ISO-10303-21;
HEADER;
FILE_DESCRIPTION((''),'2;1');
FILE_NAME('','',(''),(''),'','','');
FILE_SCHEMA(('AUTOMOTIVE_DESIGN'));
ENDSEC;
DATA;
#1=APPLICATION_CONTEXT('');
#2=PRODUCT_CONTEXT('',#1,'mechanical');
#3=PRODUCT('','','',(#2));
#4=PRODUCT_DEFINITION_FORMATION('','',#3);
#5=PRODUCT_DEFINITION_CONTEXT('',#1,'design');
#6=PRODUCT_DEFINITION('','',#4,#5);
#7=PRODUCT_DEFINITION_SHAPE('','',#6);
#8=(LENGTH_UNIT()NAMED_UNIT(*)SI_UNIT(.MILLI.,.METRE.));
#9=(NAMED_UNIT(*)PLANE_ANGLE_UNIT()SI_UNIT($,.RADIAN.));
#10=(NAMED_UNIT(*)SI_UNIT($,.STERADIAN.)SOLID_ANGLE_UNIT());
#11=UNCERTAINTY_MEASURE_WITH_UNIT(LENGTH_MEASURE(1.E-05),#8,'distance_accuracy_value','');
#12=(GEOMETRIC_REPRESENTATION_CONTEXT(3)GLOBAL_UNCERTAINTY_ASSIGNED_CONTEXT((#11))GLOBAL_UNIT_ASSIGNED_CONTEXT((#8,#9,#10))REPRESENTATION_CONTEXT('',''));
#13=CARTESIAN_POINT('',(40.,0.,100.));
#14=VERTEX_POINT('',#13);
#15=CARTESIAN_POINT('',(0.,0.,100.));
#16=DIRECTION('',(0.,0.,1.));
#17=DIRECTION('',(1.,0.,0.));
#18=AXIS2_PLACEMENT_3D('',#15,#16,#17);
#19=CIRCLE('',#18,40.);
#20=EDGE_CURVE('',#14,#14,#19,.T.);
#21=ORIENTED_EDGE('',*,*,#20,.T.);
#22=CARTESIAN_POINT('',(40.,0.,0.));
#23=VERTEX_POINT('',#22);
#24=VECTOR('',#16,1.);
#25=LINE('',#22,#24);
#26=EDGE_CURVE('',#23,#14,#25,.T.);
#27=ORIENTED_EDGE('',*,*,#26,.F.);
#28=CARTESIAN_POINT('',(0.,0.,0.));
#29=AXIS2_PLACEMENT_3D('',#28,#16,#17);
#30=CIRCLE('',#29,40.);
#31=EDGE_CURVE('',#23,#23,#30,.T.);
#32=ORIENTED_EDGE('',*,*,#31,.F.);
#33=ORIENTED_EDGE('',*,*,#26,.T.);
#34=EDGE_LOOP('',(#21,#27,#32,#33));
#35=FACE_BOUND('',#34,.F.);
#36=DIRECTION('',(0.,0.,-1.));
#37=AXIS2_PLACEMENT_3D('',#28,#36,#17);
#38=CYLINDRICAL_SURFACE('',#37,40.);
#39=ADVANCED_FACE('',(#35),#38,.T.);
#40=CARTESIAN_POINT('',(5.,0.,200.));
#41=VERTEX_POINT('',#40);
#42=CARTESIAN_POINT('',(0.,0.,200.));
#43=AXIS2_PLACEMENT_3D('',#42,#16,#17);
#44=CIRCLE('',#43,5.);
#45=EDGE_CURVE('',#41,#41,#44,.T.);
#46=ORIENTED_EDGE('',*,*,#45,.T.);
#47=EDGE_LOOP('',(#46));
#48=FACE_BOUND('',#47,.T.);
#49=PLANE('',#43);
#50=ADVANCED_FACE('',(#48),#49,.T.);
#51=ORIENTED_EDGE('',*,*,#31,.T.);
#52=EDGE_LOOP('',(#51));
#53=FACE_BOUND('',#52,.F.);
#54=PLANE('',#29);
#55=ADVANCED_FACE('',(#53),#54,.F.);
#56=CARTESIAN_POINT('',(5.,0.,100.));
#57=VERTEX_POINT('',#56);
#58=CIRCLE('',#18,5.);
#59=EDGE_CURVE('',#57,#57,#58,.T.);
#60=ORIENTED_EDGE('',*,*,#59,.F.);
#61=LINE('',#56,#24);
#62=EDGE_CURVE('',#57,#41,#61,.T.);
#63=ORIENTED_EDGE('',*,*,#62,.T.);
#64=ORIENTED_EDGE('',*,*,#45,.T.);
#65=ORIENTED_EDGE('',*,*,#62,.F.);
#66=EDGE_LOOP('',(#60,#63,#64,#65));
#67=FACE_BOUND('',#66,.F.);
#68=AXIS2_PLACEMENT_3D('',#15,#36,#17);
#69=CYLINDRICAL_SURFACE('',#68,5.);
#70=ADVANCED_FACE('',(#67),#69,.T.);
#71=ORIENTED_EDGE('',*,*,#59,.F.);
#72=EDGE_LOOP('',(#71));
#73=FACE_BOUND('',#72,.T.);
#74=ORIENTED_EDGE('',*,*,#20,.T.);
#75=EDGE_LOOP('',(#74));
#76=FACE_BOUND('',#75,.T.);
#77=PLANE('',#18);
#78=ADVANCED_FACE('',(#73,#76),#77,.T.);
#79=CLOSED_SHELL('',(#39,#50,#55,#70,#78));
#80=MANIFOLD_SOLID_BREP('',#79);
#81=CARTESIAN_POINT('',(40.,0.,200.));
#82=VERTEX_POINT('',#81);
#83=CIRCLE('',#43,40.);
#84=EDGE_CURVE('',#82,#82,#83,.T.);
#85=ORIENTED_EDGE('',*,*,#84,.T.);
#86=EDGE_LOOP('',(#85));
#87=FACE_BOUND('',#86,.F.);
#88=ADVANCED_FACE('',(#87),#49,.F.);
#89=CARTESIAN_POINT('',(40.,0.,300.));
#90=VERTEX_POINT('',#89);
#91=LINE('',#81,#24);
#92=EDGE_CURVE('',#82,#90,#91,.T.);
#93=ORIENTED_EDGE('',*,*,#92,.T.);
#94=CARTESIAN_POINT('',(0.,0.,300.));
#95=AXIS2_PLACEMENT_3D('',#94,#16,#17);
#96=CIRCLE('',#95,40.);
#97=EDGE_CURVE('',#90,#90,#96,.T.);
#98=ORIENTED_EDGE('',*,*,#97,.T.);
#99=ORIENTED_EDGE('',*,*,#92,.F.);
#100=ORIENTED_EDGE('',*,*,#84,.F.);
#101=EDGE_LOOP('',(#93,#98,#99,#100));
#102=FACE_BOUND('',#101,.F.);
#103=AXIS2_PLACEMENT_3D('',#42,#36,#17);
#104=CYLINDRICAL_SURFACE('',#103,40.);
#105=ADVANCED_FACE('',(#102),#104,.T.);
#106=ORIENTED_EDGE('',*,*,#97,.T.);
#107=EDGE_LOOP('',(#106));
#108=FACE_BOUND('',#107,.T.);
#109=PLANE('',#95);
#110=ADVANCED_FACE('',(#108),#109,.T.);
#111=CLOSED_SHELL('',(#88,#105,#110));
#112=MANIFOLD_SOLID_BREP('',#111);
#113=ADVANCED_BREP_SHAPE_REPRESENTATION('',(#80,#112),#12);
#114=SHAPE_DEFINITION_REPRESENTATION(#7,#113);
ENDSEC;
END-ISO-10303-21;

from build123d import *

# Parameters (mm, degrees)
CYLINDER002_R     = 40
CYLINDER002_DEPTH = 100
CYLINDER001_R     = 5
CYLINDER001_DEPTH = 100
CYLINDER_R        = 40
CYLINDER_DEPTH    = 100


with BuildPart() as cylinder002:
    # Cylinder002 → Cylinder002 (new body)
    with BuildSketch(Plane.XY.offset(200)):
        Circle(CYLINDER002_R)
    extrude(amount=CYLINDER002_DEPTH)


with BuildPart() as cylinder001:
    # Cylinder001 → Cylinder001 (new body)
    with BuildSketch(Plane.XY.offset(100)):
        Circle(CYLINDER001_R)
    extrude(amount=CYLINDER001_DEPTH)


with BuildPart() as fusion:
    # Cylinder → Cylinder (new body)
    with BuildSketch(Plane.XY):
        Circle(CYLINDER_R)
    extrude(amount=CYLINDER_DEPTH)

    # Fusion: union Cylinder001
    add(cylinder001.part)


solid = Compound([cylinder002.part, fusion.part])
